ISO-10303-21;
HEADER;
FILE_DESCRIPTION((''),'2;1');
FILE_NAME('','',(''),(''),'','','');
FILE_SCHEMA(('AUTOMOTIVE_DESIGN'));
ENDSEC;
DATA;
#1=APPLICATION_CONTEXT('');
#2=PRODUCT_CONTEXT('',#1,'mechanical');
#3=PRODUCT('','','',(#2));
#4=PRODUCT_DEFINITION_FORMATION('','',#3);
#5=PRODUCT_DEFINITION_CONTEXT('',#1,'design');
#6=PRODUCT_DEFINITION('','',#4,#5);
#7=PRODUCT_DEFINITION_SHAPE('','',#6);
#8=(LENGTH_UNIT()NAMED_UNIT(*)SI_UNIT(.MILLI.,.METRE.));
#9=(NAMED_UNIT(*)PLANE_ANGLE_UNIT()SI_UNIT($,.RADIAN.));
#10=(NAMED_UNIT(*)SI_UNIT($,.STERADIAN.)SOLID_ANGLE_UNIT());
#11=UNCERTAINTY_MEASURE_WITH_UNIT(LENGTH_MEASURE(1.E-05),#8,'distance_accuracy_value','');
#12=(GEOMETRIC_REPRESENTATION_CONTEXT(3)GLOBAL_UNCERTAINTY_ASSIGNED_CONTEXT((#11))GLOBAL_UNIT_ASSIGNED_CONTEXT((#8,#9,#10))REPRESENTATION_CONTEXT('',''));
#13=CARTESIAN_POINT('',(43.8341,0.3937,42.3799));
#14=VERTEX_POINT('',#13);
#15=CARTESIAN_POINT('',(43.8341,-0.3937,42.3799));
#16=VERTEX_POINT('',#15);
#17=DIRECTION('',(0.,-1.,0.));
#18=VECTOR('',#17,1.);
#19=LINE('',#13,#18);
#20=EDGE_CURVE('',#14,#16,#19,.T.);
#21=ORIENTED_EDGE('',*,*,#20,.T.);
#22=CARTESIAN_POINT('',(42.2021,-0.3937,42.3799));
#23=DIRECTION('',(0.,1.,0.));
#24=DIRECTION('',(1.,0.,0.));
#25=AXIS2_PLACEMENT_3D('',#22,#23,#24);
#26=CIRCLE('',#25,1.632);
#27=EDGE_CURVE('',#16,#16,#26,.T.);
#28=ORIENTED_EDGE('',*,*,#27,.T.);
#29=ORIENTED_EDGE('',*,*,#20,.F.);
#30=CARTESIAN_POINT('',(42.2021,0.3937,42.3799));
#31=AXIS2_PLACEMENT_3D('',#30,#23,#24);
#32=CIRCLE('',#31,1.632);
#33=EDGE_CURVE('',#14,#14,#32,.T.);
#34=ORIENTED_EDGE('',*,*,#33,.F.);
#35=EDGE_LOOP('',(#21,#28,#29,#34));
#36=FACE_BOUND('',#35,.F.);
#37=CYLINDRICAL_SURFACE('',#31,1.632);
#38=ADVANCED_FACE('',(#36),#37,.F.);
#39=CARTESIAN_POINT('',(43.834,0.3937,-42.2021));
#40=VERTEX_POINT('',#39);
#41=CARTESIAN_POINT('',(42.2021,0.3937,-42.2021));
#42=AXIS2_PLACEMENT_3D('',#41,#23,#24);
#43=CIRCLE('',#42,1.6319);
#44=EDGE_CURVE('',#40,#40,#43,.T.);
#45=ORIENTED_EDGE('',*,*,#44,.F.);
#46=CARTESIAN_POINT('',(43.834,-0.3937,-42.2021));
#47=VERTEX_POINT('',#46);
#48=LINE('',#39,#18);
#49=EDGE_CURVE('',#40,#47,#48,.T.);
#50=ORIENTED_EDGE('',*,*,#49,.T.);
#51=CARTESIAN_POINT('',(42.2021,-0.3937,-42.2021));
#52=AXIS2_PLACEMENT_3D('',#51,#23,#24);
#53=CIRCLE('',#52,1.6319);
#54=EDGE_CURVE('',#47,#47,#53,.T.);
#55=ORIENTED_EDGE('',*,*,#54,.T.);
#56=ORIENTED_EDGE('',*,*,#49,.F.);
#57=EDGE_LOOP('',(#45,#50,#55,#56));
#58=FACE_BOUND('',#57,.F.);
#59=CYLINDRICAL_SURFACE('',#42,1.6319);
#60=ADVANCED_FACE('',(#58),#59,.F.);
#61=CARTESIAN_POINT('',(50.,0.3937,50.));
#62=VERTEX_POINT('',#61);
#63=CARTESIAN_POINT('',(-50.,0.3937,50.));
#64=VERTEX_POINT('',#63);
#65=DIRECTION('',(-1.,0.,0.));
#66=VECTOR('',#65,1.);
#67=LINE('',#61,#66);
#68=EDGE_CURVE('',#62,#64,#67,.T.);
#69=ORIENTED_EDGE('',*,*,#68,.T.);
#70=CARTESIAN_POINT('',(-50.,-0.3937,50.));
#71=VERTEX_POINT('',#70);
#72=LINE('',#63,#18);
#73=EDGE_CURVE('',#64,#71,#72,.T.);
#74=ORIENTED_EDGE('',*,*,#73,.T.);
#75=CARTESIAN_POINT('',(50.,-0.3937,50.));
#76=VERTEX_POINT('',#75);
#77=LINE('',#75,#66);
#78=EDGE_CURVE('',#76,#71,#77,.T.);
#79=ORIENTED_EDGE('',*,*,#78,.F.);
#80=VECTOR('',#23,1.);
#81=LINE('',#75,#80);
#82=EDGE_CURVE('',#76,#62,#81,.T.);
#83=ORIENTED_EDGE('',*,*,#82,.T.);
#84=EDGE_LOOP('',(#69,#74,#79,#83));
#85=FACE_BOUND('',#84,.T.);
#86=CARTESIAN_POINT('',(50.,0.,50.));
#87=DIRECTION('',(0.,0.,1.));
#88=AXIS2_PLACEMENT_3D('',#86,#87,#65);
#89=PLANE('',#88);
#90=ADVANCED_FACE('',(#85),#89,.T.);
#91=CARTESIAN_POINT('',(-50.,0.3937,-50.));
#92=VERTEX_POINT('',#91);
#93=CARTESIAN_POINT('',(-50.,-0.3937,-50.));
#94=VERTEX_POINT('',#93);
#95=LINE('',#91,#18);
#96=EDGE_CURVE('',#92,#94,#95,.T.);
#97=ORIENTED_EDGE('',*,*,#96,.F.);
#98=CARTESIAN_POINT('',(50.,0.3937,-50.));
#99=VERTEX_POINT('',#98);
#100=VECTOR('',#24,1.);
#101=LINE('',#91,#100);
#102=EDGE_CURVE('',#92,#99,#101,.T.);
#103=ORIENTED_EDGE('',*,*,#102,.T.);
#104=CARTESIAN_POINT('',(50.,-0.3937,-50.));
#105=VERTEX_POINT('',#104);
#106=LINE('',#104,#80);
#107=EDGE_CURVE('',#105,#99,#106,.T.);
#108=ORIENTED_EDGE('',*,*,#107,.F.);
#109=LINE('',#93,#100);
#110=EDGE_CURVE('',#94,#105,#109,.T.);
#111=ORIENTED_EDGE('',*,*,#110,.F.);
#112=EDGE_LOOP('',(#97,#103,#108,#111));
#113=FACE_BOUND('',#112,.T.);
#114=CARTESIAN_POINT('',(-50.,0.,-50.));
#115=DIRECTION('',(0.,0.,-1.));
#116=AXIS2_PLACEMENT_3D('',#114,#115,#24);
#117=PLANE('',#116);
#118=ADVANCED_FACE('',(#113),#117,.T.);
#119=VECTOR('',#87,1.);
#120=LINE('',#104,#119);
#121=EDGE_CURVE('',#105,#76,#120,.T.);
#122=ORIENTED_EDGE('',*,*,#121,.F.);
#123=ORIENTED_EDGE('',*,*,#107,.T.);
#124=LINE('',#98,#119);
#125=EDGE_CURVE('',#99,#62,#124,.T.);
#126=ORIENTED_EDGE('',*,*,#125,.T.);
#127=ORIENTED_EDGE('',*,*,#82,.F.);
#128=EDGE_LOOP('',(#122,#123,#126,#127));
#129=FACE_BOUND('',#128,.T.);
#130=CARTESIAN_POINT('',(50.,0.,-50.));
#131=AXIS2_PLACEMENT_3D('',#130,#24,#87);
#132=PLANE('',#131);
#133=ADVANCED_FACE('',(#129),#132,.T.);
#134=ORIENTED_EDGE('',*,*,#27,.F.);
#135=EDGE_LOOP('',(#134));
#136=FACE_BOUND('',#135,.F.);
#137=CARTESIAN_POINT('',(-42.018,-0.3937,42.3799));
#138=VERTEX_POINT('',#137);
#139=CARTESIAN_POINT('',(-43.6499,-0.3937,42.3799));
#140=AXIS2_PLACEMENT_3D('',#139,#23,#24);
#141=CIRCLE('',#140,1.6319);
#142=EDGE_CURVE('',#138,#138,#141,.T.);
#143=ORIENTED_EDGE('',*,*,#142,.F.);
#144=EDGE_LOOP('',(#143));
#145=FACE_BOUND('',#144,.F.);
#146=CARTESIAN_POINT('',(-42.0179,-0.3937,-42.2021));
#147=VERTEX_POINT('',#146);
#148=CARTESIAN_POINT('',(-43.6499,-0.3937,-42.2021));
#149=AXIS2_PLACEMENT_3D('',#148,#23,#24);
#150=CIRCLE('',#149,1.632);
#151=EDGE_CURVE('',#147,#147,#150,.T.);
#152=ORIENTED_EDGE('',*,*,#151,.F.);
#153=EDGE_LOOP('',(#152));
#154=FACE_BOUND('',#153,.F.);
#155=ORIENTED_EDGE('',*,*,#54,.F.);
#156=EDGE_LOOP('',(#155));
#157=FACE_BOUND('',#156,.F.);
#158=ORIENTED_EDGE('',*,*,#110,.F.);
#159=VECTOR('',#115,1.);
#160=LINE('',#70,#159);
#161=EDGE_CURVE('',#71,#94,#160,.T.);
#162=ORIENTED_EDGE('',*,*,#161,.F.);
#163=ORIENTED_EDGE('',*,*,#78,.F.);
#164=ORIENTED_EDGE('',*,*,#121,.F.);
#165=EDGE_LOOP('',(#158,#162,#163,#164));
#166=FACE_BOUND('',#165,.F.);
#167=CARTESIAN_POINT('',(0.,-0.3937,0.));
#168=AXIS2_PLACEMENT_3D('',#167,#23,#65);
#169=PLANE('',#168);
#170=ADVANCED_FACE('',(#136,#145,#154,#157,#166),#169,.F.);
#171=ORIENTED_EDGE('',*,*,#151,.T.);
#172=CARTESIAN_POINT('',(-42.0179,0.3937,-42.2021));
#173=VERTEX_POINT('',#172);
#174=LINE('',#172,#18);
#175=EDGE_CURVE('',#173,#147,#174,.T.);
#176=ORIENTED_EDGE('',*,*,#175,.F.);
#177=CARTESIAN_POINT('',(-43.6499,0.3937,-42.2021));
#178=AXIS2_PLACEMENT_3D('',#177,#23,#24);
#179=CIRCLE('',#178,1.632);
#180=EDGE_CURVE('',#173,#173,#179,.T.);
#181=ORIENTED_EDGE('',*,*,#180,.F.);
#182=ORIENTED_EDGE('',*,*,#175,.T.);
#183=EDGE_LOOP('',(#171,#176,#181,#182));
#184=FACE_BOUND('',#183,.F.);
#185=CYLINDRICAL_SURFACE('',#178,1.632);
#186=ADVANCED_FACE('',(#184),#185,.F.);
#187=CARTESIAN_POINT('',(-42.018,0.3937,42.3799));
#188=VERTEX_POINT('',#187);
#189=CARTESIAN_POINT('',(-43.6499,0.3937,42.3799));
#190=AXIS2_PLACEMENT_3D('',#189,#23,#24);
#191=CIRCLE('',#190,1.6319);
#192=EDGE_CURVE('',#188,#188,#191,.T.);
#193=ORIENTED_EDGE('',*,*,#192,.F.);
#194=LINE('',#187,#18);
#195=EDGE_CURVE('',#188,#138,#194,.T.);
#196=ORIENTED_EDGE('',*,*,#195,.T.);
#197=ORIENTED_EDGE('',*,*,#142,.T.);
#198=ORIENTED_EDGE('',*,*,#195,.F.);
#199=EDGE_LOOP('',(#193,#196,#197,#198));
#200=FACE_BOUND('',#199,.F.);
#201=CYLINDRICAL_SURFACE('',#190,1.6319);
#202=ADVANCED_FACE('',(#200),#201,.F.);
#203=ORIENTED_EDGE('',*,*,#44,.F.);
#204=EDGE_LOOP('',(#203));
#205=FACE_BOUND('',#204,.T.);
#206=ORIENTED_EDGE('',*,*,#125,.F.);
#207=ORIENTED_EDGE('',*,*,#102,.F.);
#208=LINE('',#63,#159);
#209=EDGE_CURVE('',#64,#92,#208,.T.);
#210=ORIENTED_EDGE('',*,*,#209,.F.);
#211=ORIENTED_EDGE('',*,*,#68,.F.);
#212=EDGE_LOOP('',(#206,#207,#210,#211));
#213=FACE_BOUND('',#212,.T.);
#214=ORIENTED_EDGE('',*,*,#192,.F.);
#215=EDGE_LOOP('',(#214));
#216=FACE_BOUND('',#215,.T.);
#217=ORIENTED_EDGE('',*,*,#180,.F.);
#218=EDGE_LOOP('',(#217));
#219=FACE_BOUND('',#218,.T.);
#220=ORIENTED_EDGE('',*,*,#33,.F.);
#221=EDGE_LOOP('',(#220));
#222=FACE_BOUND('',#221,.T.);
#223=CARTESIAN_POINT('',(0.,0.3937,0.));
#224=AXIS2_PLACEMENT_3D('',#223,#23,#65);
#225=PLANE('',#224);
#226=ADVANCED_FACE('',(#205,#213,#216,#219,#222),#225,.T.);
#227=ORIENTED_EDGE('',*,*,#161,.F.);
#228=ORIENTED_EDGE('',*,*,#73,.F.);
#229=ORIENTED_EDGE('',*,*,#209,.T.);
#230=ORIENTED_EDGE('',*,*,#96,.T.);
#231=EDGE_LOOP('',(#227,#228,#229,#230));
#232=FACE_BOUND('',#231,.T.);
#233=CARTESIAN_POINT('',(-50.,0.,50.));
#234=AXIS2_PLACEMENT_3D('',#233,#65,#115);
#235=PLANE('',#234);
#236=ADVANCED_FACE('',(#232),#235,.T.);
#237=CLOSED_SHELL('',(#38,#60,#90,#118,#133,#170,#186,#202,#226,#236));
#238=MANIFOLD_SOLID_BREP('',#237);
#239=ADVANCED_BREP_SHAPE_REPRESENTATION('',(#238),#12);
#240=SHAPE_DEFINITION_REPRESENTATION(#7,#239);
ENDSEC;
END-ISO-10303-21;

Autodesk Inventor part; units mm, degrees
ref_plane "YZ Plane" through (0, 0, 0) normal (1, 0, 0) x (0, 1, 0)
ref_plane "XZ Plane" through (0, 0, 0) normal (0, 1, 0) x (-1, 0, 0)
ref_plane "XY Plane" through (0, 0, 0) normal (0, 0, 1) x (1, 0, 0)
sketch "Sketch1" plane through (0, 0, 0) normal (0, 1, 0) x (-1, 0, 0)
  line L0 (-50, 50) -> (50, 50)
  line L1 (50, 50) -> (50, -50)
  line L2 (50, -50) -> (-50, -50)
  line L3 (-50, -50) -> (-50, 50)
  line L4 (-50, 50) -> (50, -50) construction
  line L5 (50, 50) -> (-50, -50) construction
  point P0 (0, 0)
  dimension "d0" = 100
  dimension "d1" = 100
extrude "Extrusion1" add sketch "Sketch1" along normal mid plane 0.7874
sketch "Sketch2" plane through (0, 0.3937, 0) normal (0, 1, 0) x (1, 0, 0)
  circle A0 centre (-43.6499, -42.3799) radius 1.6319
  circle A1 centre (-43.6499, 42.2021) radius 1.632
  circle A2 centre (42.2021, 42.2021) radius 1.6319
  circle A3 centre (42.2021, -42.3799) radius 1.632
  point P0 (0, 0)
  dimension "d4" = 3.2639
  dimension "d5" = 3.2639
  dimension "d6" = 3.2639
  dimension "d7" = 3.2639
extrude "Extrusion2" cut sketch "Sketch2" against normal through all
properties part number "3xCombiner"
